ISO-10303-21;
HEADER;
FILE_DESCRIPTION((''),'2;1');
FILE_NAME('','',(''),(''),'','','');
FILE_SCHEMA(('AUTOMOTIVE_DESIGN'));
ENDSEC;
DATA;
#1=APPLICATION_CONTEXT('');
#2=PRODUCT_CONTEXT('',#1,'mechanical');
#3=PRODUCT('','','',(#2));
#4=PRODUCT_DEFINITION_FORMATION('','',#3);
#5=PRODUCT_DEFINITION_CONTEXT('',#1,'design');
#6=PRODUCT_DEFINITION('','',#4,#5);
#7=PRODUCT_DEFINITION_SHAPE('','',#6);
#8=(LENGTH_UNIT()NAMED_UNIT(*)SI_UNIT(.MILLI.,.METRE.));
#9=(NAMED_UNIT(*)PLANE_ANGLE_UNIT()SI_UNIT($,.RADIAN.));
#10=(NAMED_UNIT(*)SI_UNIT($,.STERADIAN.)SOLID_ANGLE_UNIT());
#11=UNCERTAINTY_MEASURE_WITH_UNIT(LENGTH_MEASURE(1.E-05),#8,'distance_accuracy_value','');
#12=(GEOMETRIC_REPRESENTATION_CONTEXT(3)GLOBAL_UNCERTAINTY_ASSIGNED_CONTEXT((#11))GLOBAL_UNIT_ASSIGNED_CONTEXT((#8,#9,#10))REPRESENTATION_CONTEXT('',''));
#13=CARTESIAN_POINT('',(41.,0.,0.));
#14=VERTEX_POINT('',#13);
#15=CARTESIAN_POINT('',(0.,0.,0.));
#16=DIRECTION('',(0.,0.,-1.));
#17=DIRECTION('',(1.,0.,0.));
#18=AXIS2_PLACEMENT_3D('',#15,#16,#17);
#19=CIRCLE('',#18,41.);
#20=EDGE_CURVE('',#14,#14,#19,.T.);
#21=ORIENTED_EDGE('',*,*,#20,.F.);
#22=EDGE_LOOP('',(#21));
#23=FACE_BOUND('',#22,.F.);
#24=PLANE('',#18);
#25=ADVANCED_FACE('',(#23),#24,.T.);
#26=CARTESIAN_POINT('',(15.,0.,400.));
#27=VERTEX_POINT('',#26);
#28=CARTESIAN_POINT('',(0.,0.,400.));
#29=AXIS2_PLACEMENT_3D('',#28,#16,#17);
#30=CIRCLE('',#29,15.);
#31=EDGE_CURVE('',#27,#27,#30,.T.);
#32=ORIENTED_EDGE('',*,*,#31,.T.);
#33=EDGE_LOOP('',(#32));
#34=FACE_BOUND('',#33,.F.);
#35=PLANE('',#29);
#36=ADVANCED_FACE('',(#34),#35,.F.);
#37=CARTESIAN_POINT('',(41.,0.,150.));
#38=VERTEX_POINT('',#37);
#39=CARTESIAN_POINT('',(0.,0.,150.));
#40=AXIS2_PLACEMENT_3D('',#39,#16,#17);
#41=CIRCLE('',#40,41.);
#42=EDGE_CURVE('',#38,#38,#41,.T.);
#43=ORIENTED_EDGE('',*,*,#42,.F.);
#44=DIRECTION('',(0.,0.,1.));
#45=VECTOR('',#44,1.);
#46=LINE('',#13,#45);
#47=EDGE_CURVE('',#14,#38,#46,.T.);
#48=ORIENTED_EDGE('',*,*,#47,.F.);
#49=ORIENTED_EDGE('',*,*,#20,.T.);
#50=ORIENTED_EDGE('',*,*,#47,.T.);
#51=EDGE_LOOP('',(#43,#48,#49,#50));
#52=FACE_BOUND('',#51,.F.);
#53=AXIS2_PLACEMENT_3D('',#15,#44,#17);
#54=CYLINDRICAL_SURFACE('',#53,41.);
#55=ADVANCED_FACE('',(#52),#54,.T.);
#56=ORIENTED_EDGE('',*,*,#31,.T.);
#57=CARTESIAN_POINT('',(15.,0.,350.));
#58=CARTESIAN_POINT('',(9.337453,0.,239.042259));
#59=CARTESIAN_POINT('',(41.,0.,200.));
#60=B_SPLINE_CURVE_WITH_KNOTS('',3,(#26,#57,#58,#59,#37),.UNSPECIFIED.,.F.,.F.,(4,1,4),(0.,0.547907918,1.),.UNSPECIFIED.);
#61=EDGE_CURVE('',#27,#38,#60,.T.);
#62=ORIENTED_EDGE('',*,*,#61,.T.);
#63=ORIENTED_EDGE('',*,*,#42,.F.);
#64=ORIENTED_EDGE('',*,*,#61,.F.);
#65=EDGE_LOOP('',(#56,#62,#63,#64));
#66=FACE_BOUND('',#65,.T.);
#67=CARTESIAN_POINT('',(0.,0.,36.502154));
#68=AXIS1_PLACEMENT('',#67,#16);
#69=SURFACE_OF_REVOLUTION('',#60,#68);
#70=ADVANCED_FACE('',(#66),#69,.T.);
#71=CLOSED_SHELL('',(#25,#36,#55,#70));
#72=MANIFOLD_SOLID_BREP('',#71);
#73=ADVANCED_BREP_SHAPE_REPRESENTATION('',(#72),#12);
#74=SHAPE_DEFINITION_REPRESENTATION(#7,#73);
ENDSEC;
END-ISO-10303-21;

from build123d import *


with BuildPart() as f1:
    # F0 (on Front) → F1 (revolve)
    with BuildSketch(Plane.XZ):
        with BuildLine():
            Line((0, 0), (41, 0))
            Line((41, 0), (41, 150))
            add(Edge.make_bspline(
                [(15, 400), (15, 350), (9.3374534949, 239.0422591152), (41, 200), (41, 150)],
                knots=[0, 0, 0, 0, 0.5479079181, 1, 1, 1, 1], degree=3))
            Line((15, 400), (0, 400))
            Line((0, 400), (0, 0))
        make_face()
    revolve(axis=Axis((0, 0, 36.502153865), (0, 0, -1)))


solid = f1.part
